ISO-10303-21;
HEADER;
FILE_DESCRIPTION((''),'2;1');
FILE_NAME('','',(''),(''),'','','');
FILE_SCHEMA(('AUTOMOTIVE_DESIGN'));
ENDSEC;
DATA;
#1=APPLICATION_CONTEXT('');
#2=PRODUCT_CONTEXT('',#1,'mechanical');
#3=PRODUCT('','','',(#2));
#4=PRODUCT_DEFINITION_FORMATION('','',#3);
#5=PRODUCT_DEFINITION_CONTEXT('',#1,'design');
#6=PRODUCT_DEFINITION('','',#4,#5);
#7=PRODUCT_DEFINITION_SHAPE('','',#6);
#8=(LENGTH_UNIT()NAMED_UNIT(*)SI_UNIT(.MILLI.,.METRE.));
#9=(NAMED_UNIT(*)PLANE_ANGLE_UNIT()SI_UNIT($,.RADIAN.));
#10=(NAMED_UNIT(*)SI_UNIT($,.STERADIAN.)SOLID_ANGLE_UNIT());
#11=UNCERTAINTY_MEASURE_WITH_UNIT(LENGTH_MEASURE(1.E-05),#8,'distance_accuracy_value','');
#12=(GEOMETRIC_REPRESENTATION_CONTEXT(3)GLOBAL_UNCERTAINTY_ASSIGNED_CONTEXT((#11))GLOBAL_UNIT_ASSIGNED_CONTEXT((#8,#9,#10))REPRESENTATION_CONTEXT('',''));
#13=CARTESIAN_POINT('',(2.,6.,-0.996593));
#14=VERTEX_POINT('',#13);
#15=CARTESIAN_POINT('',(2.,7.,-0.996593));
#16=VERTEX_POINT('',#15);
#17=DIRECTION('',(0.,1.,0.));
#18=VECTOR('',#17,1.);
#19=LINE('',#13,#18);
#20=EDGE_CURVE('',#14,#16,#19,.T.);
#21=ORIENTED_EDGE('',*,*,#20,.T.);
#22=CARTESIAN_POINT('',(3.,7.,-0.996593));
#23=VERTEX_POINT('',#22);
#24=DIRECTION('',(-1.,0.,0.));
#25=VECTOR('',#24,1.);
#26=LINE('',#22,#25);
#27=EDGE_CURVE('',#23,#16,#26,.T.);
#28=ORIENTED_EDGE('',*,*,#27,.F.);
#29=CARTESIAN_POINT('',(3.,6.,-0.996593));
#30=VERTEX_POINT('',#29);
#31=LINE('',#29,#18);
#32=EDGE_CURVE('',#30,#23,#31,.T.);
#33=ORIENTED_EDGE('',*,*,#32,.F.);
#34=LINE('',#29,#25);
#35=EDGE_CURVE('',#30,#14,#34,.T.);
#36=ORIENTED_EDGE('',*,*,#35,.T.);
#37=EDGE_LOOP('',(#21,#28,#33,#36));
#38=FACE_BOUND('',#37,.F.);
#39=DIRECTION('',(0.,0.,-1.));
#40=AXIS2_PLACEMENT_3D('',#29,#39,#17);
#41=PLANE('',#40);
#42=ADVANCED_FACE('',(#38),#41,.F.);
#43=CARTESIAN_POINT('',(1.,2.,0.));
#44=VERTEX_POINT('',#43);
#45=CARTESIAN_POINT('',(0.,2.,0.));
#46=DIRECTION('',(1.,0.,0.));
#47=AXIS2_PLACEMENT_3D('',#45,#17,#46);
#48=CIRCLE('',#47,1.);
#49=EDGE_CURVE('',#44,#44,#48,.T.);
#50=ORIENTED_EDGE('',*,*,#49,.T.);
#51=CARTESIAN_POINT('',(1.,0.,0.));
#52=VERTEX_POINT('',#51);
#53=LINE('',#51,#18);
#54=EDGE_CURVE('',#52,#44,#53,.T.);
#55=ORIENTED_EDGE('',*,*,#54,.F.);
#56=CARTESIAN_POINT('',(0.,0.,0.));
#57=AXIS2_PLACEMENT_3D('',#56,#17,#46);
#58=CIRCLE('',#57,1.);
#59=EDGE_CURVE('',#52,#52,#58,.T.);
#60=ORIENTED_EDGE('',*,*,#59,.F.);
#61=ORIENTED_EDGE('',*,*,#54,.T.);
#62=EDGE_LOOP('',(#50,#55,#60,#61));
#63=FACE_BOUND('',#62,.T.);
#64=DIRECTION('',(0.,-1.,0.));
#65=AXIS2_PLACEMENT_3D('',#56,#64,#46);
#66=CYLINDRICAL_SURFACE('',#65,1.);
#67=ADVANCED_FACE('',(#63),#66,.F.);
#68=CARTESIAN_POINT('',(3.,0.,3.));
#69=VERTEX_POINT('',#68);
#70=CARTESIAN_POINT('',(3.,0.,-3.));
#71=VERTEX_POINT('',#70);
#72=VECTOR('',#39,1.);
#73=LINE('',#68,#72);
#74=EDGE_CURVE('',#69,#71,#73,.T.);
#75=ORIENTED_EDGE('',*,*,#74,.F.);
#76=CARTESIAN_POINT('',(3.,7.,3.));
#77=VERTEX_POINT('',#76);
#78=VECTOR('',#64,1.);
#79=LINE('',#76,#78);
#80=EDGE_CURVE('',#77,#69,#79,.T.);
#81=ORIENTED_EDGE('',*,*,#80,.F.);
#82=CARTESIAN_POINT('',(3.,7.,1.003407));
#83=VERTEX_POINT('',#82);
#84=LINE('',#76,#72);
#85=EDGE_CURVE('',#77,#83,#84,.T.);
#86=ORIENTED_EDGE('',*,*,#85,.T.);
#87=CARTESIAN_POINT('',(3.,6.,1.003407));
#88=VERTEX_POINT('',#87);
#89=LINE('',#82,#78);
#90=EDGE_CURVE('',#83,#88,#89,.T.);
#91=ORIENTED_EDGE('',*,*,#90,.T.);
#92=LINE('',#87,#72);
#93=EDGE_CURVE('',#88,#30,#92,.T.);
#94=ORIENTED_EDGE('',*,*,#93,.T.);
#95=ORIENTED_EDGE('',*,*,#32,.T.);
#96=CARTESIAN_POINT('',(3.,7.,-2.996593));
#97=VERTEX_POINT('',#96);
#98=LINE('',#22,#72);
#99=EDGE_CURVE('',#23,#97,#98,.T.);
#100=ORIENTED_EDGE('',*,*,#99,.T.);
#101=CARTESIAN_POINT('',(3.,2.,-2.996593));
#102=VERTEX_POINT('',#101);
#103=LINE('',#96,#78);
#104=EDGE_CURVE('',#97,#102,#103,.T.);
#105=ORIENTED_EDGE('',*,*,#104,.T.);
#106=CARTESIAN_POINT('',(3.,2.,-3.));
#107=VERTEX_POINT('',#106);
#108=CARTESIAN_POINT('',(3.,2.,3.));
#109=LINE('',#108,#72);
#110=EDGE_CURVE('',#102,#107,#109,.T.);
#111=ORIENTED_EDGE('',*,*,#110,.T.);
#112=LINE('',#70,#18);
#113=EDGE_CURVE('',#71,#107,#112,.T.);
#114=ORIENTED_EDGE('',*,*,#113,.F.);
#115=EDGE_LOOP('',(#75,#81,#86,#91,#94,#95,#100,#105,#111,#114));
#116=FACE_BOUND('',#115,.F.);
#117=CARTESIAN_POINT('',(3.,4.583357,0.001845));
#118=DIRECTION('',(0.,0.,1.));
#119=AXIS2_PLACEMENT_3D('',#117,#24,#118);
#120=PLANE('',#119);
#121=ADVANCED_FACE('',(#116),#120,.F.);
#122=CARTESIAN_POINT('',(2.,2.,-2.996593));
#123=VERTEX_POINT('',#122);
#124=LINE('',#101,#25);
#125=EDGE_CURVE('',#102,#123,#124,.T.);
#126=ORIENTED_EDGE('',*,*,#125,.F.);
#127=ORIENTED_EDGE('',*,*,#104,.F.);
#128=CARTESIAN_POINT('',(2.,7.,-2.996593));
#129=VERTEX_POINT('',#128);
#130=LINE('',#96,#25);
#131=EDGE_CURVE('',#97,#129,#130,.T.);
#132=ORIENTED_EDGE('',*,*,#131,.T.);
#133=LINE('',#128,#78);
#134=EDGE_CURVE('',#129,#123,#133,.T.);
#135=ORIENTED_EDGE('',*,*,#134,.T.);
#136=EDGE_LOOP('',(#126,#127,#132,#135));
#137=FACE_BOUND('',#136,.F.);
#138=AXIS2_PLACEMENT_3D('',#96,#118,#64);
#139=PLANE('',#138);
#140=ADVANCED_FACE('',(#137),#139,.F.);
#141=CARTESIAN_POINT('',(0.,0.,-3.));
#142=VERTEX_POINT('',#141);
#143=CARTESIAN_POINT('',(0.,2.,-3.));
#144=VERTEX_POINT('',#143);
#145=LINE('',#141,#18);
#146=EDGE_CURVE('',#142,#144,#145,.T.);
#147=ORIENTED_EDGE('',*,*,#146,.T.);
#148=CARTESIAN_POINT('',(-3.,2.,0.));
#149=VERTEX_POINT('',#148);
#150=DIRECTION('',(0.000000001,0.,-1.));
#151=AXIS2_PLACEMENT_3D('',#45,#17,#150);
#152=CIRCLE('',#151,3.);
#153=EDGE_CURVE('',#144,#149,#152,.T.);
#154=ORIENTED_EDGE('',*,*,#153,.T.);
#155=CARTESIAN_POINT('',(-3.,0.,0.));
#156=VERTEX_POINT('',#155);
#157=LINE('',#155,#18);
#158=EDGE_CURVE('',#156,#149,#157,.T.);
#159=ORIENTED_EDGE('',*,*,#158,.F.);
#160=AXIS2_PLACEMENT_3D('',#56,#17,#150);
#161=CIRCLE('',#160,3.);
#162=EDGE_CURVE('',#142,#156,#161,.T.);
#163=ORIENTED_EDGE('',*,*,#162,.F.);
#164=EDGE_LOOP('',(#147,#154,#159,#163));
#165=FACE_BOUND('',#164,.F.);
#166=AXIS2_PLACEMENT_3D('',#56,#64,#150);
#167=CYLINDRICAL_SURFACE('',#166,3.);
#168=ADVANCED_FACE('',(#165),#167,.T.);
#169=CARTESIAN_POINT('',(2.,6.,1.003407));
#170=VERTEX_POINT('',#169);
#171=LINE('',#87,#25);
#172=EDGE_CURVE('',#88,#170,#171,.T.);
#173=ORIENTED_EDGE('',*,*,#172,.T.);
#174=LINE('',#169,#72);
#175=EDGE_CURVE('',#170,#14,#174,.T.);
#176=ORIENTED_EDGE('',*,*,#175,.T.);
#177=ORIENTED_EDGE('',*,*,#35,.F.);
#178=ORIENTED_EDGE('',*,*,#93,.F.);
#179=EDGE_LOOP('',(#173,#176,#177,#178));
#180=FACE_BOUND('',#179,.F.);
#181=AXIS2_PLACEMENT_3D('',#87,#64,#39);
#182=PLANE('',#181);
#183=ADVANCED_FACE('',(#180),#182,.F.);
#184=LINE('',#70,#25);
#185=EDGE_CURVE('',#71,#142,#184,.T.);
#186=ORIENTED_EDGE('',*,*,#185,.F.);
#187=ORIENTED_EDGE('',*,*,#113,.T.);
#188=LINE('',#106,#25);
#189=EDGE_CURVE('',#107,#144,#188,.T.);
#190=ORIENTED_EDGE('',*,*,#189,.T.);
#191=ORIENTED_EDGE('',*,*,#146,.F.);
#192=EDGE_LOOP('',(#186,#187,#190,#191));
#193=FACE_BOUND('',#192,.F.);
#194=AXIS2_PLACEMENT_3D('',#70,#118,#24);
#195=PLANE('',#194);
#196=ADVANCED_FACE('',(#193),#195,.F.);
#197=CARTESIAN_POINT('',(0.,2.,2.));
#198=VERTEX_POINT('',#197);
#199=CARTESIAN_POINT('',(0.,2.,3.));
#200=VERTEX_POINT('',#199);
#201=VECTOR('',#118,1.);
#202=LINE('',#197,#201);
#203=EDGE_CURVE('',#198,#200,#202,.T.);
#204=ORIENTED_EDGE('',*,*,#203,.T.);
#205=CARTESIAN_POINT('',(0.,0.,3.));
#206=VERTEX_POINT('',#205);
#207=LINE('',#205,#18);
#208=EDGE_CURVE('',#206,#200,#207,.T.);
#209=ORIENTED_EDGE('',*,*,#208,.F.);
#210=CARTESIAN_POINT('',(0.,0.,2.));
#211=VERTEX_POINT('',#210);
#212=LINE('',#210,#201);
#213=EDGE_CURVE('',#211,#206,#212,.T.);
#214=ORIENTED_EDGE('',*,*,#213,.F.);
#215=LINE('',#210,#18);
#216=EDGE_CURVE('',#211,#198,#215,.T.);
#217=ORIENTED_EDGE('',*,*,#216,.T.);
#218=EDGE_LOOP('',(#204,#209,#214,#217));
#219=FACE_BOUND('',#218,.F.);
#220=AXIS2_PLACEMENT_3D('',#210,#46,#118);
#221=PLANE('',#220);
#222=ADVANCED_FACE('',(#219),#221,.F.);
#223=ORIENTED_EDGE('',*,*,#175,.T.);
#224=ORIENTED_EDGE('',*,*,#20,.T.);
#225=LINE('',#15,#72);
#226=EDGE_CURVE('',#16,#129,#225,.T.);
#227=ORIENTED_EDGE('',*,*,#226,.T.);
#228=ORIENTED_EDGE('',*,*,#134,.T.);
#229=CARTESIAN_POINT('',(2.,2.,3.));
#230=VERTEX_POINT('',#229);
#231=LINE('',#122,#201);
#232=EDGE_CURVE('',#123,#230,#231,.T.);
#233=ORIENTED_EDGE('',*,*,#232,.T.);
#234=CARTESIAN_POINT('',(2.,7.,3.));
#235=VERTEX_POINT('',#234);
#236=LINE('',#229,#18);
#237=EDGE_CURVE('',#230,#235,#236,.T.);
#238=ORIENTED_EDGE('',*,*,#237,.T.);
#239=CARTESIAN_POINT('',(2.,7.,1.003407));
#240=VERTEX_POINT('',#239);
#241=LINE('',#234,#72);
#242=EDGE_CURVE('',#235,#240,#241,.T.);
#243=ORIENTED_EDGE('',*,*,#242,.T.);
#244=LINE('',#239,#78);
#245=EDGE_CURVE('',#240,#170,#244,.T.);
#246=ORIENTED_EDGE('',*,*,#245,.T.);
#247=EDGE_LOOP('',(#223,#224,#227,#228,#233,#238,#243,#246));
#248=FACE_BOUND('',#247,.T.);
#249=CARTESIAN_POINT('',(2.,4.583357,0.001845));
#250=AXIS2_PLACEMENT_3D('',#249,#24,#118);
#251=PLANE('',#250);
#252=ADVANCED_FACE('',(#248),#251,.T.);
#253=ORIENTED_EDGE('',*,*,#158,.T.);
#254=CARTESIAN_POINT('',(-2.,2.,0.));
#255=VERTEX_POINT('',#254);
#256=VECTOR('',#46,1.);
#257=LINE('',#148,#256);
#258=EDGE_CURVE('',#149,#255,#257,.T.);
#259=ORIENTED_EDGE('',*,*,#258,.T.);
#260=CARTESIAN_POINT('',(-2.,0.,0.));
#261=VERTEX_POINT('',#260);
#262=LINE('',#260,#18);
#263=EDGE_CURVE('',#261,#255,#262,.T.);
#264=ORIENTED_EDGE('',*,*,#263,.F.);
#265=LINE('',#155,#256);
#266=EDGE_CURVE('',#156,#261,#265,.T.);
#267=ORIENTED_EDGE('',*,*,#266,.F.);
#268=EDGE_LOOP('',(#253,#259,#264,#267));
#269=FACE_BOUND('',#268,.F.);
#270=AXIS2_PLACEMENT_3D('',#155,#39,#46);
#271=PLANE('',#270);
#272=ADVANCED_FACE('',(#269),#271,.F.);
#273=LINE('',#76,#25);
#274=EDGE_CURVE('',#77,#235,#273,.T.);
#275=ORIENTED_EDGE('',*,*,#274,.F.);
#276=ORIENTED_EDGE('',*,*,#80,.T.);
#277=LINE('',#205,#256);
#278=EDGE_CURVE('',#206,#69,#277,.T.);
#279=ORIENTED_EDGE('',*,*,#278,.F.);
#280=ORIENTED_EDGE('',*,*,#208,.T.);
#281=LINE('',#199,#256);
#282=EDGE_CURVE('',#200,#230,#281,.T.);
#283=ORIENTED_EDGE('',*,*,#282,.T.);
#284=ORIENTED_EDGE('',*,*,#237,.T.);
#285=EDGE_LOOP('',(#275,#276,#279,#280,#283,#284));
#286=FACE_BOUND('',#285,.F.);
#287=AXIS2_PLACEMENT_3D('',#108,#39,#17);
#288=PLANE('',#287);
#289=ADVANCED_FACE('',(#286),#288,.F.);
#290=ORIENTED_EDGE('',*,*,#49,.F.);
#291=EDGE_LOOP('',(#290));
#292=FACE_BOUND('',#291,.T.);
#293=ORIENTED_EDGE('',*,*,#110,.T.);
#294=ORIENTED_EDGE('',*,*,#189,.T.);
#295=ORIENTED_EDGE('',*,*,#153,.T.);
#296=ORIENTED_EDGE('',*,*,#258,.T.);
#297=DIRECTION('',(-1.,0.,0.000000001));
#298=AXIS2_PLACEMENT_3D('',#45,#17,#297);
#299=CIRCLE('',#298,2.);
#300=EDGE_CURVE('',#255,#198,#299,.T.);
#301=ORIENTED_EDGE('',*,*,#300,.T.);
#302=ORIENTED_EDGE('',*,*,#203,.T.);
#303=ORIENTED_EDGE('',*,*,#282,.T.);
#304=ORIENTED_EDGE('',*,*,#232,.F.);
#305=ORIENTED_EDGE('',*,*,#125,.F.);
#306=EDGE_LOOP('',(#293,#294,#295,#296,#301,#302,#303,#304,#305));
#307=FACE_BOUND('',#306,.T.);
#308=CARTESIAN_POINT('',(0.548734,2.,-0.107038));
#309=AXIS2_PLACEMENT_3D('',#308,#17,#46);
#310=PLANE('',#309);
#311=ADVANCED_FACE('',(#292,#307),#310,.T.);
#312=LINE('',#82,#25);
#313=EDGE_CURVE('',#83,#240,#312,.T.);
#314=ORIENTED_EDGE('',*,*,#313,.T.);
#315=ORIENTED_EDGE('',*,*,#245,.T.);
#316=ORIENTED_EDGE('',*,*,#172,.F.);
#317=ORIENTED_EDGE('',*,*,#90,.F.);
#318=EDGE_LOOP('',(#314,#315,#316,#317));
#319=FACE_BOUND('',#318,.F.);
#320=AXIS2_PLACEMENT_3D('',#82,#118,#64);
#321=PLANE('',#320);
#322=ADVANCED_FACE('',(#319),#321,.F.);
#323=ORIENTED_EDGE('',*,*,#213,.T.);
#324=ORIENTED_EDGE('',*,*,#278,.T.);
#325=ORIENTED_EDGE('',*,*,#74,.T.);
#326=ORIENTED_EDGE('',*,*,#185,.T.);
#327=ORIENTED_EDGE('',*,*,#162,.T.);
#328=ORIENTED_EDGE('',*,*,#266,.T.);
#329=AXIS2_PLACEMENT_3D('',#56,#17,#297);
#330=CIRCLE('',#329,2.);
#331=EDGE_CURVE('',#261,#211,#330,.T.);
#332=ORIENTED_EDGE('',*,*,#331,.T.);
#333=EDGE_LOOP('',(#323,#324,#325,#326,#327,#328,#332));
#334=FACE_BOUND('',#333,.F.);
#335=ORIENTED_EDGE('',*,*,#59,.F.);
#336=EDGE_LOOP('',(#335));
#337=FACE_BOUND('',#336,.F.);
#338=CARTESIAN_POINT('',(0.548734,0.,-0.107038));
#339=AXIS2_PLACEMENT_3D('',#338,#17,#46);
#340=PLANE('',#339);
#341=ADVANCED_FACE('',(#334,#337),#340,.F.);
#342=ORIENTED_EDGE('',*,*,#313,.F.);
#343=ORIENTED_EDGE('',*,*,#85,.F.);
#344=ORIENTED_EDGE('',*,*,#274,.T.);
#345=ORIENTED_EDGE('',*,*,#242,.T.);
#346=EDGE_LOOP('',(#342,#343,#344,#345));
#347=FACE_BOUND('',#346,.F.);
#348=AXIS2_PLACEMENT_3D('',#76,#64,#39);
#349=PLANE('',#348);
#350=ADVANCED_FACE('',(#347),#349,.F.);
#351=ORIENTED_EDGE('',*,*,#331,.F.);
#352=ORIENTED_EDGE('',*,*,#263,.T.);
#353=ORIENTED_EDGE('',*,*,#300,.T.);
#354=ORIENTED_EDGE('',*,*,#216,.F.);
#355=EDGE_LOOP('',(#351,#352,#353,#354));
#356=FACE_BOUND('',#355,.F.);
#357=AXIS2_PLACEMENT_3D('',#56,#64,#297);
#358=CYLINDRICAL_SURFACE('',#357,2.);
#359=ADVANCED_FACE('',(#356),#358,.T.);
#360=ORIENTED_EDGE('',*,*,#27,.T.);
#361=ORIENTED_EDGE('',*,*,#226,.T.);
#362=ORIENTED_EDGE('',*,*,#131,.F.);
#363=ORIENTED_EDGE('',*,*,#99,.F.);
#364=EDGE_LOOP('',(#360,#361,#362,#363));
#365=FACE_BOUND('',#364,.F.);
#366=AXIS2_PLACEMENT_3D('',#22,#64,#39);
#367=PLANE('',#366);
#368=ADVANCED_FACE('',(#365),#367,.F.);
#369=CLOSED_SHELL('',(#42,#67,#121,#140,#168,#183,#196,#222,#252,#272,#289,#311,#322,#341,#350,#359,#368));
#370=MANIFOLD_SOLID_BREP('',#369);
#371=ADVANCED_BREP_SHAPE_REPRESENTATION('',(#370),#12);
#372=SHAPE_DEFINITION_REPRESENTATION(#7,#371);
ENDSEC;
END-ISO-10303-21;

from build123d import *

# Parameters (mm, degrees)
SKETCH1_R           = 1
BOSS_EXTRUDE1_DEPTH = 2
BOSS_EXTRUDE2_DEPTH = 1


with BuildPart() as part:
    # Sketch1 → Boss-Extrude1 (new body)
    with BuildSketch(Plane(origin=(0, 0, 0), x_dir=(1, 0, 0), z_dir=(0, 1, 0))):
        with BuildLine():
            Line((0, -2), (0, -3))
            Line((0, -3), (3, -3))
            Line((3, -3), (3, 3))
            Line((3, 3), (0, 3))
            ThreePointArc((0, 3), (-2.121320344, 2.121320344), (-3, 0))
            Line((-3, 0), (-2, 0))
            ThreePointArc((-2, 0), (-1.414213562, -1.414213562), (0, -2))
        make_face()
        Circle(SKETCH1_R, mode=Mode.SUBTRACT)
    extrude(amount=BOSS_EXTRUDE1_DEPTH)

    # Sketch3 → Boss-Extrude2 (add)
    with BuildSketch(Plane(origin=(3, 0, 0), x_dir=(0, 0, -1), z_dir=(1, 0, 0))):
        Polygon((0.996593321, 7), (2.996593321, 7), (2.996593321, 2), (-3, 2), (-3, 7), (-1.003406679, 7), (-1.003406679, 6), (0.996593321, 6), align=None)
    extrude(amount=-BOSS_EXTRUDE2_DEPTH)


solid = part.part
